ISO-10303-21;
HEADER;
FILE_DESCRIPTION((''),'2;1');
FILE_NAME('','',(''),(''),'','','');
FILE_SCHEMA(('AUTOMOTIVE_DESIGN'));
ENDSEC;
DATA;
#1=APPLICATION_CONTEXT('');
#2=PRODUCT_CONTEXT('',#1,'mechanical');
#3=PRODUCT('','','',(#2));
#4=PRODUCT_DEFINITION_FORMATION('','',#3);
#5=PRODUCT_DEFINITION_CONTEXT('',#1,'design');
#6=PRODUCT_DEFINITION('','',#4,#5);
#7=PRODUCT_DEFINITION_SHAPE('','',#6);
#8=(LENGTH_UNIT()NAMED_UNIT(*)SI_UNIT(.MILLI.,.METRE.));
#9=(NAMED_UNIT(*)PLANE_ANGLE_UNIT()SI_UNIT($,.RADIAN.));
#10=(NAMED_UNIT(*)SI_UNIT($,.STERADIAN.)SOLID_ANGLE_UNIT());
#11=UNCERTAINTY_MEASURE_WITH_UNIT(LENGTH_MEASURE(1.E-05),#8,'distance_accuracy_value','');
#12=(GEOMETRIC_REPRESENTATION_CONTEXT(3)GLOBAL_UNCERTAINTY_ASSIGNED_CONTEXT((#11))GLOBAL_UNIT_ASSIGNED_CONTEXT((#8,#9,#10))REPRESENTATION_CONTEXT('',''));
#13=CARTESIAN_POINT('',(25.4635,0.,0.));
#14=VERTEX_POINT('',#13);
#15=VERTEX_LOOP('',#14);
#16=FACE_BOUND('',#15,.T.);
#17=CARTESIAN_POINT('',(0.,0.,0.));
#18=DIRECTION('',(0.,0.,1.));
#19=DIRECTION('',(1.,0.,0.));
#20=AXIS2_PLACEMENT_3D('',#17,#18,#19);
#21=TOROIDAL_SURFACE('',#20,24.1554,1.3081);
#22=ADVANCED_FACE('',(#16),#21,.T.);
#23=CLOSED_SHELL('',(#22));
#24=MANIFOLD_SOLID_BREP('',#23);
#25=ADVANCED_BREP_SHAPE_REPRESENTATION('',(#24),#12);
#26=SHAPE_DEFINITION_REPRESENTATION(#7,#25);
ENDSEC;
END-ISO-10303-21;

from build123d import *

# Parameters (mm, degrees)
SKETCH1_R = 1.3081


with BuildPart() as part:
    # Sketch1 → Revolve1 (revolve)
    with BuildSketch(Plane(origin=(0, 0, 0), x_dir=(0, 0, -1), z_dir=(1, 0, 0))):
        with Locations((0, 24.1554)):
            Circle(SKETCH1_R)
    revolve(axis=Axis((0, 0, 18.132319356), (0, 0, -1)))


solid = part.part
